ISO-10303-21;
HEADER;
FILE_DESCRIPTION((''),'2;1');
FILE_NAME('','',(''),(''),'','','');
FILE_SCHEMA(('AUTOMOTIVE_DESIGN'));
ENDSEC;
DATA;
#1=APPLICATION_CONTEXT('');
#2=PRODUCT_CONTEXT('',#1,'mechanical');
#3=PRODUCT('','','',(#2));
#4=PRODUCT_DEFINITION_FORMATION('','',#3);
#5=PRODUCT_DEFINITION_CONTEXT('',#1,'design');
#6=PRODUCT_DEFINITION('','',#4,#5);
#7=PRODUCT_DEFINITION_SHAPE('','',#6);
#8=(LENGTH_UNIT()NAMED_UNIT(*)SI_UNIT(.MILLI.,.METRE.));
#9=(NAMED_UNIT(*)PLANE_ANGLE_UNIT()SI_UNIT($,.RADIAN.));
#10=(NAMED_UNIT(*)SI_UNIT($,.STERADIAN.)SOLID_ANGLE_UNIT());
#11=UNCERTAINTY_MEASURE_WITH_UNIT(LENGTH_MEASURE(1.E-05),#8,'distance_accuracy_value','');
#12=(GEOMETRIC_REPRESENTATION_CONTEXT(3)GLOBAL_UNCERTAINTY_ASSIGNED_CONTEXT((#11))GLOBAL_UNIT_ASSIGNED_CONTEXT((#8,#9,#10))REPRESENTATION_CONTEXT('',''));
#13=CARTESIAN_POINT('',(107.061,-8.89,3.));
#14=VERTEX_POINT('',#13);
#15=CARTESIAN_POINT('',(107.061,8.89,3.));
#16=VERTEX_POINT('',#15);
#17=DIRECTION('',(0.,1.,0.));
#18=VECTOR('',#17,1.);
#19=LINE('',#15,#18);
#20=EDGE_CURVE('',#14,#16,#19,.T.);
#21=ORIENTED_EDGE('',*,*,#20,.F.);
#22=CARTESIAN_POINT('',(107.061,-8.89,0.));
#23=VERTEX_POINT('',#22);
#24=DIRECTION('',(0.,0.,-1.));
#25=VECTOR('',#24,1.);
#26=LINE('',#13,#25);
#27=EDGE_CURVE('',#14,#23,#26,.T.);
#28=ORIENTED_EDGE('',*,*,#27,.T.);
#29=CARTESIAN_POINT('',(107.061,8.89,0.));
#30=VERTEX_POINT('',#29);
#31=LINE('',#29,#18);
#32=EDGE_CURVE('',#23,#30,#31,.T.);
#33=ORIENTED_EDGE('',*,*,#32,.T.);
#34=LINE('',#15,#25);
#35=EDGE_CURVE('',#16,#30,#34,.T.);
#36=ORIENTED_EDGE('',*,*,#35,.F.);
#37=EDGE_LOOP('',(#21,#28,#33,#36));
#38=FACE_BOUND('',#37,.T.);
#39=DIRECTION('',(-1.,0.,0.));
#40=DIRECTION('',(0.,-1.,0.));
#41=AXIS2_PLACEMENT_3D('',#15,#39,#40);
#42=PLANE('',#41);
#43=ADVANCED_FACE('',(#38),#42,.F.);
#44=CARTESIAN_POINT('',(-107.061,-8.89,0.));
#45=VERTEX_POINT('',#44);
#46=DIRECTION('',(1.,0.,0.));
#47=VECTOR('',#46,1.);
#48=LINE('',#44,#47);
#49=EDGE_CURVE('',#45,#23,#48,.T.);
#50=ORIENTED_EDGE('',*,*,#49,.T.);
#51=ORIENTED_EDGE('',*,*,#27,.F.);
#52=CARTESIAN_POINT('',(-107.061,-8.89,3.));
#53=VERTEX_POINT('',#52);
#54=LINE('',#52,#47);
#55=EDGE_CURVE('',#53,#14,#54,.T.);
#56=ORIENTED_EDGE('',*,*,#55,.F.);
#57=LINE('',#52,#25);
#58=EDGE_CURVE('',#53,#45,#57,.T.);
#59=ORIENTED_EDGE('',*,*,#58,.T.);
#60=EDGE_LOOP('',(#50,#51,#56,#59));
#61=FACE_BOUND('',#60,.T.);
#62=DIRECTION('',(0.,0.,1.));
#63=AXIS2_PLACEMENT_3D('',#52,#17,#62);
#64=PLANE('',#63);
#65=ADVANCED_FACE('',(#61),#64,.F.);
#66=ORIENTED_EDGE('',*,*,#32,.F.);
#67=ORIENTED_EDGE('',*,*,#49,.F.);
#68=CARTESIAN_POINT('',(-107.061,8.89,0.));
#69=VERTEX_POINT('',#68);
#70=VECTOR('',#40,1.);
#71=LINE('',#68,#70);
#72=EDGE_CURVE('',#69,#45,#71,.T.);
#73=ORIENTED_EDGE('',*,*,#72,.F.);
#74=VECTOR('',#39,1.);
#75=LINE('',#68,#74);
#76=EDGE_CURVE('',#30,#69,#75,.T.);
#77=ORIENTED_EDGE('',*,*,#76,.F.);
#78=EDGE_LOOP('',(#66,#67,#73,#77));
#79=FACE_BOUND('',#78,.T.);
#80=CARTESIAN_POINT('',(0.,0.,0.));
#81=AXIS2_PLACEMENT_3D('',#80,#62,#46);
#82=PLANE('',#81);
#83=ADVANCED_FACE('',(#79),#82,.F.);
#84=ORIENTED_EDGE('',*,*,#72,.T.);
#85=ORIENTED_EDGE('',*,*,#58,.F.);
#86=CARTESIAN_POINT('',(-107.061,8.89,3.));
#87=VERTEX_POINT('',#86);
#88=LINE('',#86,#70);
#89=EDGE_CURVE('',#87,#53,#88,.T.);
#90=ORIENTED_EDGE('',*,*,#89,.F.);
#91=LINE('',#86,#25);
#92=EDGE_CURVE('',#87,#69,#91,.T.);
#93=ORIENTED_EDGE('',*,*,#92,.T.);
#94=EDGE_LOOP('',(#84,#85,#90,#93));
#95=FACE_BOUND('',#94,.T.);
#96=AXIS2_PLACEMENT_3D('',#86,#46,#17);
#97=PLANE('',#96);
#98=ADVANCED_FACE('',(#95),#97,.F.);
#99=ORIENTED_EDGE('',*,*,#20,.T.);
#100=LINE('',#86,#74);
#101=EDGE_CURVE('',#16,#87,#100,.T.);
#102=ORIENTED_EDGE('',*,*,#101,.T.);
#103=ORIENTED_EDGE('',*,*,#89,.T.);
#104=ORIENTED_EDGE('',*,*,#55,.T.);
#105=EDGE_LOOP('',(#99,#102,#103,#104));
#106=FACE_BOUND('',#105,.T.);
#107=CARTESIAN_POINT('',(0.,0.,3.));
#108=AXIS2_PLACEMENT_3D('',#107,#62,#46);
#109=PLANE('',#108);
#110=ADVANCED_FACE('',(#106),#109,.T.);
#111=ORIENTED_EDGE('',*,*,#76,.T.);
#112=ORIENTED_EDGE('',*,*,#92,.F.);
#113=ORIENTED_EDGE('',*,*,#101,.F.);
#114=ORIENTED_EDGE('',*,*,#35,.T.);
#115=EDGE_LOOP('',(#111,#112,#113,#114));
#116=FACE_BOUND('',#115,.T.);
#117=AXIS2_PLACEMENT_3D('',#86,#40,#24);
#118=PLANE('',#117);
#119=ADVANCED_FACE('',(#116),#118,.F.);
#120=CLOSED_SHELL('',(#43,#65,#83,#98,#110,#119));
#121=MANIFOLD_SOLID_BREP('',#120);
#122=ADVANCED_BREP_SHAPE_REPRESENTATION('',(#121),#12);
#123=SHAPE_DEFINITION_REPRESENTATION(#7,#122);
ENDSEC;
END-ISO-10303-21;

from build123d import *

# Parameters (mm, degrees)
SKETCH1_W           = 214.122
SKETCH1_H           = 17.78
BOSS_EXTRUDE1_DEPTH = 3


with BuildPart() as part:
    # Sketch1 → Boss-Extrude1 (new body)
    with BuildSketch(Plane.XY):
        Rectangle(SKETCH1_W, SKETCH1_H)
    extrude(amount=BOSS_EXTRUDE1_DEPTH)


solid = part.part
